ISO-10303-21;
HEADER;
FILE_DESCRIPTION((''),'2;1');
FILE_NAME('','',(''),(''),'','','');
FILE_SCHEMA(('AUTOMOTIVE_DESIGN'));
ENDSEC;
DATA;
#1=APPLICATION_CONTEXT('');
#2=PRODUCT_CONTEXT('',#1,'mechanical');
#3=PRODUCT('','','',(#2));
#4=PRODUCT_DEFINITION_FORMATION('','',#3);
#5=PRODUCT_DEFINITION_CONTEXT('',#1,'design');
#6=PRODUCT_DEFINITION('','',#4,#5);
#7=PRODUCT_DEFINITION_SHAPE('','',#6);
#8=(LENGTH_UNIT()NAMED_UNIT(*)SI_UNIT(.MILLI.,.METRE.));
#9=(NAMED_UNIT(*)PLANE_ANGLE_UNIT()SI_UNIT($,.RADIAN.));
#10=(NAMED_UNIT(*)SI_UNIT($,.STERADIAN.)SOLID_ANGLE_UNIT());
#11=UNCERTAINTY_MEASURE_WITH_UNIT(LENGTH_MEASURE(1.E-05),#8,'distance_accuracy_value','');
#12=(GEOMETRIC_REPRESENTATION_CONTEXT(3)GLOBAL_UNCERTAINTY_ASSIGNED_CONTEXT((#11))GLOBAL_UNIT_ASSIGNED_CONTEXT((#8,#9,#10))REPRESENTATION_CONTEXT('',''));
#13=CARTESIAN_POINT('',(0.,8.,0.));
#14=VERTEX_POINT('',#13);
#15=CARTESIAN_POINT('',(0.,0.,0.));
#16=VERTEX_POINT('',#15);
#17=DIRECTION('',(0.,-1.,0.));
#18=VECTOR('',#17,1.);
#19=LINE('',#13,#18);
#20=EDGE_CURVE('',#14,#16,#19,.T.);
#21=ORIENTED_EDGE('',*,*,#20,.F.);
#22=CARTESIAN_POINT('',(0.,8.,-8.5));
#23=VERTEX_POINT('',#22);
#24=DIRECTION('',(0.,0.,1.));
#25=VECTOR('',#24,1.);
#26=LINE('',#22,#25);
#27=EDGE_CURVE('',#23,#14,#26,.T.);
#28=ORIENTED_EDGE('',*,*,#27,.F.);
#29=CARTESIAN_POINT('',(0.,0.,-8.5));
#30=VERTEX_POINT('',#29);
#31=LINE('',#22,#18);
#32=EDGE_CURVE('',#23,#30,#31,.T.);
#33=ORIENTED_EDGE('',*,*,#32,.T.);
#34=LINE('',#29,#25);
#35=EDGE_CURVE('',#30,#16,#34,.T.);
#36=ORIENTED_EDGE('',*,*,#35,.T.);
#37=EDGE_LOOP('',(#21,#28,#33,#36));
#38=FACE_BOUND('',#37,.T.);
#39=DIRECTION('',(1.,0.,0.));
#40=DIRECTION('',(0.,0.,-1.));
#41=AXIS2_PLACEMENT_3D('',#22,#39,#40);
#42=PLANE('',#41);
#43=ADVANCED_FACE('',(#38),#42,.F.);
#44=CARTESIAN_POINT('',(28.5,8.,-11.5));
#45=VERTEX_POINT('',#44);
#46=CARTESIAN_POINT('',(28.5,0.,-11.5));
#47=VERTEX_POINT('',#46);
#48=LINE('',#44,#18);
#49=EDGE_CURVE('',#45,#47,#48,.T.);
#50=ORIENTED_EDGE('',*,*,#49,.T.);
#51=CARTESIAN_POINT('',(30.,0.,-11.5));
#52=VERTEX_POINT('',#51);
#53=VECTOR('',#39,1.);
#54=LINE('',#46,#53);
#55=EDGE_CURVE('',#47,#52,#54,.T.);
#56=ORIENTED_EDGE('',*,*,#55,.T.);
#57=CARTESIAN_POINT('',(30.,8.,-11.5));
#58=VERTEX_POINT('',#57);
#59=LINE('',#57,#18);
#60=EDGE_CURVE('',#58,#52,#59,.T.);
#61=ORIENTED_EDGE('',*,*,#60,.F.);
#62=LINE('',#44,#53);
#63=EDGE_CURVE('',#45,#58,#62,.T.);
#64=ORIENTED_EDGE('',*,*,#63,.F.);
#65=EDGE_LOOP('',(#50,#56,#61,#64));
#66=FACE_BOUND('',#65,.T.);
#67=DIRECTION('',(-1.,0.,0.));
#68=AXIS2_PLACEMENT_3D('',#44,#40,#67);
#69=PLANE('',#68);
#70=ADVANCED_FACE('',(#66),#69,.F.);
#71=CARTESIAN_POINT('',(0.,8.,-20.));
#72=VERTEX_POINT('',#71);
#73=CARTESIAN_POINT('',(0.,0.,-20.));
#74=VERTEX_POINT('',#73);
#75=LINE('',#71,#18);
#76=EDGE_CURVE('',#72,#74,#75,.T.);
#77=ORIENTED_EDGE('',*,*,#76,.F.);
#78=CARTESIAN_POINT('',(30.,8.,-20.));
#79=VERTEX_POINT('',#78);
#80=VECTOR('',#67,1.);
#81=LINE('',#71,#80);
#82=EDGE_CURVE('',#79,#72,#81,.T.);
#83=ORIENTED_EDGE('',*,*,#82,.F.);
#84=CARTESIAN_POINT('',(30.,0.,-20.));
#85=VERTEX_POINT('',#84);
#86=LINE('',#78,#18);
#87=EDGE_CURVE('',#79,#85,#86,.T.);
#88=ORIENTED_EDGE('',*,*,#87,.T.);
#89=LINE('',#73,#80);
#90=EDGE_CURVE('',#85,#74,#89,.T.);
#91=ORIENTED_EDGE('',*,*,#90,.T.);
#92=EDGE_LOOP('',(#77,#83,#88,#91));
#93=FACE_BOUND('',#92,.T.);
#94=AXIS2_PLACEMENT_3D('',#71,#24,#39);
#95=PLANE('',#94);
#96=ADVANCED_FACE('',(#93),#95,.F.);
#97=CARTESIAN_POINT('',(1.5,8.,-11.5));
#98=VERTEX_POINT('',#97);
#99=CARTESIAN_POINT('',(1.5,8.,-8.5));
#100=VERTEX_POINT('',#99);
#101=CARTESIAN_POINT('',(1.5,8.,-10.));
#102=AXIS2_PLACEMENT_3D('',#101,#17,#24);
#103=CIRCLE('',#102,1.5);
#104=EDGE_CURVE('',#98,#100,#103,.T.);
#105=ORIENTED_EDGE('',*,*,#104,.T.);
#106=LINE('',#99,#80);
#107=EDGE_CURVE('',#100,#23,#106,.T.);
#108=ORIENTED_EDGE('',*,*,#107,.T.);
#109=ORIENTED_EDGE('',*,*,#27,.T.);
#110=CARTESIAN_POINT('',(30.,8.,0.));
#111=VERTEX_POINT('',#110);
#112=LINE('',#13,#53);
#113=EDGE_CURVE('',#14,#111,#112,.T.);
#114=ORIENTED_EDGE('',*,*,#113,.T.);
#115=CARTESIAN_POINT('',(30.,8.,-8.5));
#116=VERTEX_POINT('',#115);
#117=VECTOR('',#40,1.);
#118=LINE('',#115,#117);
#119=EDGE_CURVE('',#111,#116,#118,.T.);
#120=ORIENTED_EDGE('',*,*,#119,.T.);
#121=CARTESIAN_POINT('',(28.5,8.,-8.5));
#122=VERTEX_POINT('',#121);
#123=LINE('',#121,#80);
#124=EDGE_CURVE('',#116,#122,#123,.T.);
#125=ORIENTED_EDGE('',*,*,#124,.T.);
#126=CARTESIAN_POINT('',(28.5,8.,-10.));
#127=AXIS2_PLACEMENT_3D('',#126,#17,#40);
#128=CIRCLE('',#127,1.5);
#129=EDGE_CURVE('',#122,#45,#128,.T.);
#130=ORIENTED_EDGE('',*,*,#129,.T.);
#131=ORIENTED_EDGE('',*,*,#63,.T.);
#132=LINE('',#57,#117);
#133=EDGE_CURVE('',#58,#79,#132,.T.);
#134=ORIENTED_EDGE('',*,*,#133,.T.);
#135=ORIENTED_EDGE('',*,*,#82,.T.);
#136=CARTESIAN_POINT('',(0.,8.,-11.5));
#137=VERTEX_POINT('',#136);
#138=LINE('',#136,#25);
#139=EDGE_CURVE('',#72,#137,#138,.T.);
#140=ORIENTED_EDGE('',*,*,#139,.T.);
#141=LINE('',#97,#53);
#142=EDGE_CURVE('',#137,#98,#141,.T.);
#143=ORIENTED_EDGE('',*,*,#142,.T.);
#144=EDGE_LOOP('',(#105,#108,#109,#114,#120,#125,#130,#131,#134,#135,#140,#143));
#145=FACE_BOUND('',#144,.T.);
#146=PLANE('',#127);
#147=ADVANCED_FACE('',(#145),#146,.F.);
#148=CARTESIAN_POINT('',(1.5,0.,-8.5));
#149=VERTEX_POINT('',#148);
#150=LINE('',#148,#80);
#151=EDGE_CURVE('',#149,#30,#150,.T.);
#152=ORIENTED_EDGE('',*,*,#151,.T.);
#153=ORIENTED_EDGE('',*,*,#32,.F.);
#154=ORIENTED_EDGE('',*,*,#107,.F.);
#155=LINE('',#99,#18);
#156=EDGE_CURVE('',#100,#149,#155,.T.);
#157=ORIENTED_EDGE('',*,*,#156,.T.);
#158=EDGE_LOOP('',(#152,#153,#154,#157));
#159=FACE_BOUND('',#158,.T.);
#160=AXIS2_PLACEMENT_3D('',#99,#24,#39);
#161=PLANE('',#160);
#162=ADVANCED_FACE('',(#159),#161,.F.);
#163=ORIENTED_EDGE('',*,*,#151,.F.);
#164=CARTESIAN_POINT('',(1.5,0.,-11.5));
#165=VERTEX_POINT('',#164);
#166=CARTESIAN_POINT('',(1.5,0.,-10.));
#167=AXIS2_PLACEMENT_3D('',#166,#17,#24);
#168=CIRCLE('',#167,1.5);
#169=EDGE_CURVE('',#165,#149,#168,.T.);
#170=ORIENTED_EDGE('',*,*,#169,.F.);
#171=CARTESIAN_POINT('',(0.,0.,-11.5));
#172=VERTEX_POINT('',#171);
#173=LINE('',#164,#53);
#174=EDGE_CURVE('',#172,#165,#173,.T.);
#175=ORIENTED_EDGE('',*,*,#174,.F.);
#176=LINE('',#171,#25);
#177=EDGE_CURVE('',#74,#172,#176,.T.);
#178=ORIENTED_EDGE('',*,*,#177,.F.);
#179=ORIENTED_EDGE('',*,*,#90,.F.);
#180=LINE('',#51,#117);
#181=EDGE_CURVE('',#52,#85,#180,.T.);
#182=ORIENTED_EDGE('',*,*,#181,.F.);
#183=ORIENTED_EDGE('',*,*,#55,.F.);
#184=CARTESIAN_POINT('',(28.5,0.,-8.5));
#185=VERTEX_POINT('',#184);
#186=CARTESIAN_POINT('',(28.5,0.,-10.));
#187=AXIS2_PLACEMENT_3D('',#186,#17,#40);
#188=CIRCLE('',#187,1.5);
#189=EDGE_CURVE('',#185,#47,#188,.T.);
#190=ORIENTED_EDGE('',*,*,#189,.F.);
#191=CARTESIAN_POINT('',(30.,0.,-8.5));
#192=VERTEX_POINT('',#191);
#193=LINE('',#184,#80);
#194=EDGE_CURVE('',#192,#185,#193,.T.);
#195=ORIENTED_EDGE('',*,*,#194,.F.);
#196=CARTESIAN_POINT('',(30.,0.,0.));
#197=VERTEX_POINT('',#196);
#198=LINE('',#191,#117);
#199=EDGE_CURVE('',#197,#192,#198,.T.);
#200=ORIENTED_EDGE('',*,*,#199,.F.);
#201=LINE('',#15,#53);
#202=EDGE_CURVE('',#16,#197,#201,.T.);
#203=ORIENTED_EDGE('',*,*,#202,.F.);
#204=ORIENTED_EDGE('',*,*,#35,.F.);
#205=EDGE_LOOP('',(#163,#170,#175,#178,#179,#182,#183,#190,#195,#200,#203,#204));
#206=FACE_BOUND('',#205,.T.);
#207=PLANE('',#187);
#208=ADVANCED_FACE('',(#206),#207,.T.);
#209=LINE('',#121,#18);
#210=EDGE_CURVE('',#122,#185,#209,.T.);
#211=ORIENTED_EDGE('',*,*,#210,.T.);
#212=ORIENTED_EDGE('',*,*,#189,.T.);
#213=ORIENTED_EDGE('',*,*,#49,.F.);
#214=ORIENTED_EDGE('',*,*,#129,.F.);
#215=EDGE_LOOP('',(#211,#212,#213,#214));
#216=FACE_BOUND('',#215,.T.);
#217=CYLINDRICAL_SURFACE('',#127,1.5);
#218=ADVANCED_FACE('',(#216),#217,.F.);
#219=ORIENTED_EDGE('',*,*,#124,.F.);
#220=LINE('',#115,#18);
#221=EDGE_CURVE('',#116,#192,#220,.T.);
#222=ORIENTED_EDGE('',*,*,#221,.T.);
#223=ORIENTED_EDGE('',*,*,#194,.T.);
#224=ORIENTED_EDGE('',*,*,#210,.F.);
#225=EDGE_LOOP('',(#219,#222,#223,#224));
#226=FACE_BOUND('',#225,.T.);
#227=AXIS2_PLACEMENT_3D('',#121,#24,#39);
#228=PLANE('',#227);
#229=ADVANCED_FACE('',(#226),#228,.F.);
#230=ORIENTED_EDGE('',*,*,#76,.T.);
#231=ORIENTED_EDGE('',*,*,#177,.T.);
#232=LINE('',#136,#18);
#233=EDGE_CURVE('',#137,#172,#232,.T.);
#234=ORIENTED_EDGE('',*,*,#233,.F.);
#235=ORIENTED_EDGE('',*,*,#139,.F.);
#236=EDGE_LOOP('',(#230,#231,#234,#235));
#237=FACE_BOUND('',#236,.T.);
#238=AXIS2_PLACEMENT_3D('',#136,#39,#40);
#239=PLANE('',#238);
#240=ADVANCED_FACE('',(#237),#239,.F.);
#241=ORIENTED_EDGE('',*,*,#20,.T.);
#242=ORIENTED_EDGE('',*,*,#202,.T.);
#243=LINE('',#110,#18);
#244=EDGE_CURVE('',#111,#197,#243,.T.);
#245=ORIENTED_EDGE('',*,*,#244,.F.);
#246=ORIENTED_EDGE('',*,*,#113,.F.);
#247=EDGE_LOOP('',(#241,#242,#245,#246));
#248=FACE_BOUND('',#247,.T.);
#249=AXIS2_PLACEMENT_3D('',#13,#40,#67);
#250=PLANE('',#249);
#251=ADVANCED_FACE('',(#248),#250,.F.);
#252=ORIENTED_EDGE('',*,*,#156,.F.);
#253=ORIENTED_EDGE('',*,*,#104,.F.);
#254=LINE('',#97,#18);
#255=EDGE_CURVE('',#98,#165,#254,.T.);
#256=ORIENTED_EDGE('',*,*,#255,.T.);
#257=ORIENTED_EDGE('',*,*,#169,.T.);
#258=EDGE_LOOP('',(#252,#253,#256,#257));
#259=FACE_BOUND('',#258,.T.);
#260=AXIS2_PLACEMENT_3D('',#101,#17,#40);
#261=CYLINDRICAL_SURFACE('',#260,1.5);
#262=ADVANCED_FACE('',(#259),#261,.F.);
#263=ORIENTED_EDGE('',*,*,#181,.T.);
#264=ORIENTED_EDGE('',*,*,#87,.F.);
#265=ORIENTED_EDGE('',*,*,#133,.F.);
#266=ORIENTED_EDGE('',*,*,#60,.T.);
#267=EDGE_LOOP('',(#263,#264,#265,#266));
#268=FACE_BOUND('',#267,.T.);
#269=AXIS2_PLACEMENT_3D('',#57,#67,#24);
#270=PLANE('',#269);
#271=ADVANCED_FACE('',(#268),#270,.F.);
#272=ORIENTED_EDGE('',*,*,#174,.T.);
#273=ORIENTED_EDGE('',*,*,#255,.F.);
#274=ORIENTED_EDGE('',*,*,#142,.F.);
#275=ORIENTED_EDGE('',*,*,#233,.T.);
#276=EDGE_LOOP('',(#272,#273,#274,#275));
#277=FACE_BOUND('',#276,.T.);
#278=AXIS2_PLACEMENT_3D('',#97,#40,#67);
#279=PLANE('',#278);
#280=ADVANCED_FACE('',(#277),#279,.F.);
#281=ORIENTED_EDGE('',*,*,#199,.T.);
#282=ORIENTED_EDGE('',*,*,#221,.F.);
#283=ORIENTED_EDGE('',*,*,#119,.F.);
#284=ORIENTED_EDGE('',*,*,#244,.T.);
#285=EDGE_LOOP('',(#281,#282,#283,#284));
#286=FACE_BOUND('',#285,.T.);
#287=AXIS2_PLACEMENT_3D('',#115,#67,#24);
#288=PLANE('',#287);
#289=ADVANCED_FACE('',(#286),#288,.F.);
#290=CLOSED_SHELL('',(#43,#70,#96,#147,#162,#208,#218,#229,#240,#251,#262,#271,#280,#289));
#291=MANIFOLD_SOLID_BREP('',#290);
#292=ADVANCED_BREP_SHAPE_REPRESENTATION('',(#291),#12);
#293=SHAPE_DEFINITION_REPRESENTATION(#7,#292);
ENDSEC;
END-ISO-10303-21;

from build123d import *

# Parameters (mm, degrees)
DODANIE_WYCI_GNI_CIE1_DEPTH = 8


with BuildPart() as part:
    # Szkic1 → Dodanie-wyciągnięcie1 (new body)
    with BuildSketch(Plane(origin=(0, 0, 0), x_dir=(1, 0, 0), z_dir=(0, 1, 0))):
        with BuildLine():
            Line((0, 0), (30, 0))
            Line((30, 0), (30, 8.5))
            Line((30, 8.5), (28.5, 8.5))
            ThreePointArc((28.5, 8.5), (27, 10), (28.5, 11.5))
            Line((28.5, 11.5), (30, 11.5))
            Line((30, 11.5), (30, 20))
            Line((30, 20), (0, 20))
            Line((0, 20), (0, 11.5))
            Line((0, 11.5), (1.5, 11.5))
            ThreePointArc((1.5, 11.5), (3, 10), (1.5, 8.5))
            Line((1.5, 8.5), (0, 8.5))
            Line((0, 8.5), (0, 0))
        make_face()
    extrude(amount=DODANIE_WYCI_GNI_CIE1_DEPTH)


solid = part.part
